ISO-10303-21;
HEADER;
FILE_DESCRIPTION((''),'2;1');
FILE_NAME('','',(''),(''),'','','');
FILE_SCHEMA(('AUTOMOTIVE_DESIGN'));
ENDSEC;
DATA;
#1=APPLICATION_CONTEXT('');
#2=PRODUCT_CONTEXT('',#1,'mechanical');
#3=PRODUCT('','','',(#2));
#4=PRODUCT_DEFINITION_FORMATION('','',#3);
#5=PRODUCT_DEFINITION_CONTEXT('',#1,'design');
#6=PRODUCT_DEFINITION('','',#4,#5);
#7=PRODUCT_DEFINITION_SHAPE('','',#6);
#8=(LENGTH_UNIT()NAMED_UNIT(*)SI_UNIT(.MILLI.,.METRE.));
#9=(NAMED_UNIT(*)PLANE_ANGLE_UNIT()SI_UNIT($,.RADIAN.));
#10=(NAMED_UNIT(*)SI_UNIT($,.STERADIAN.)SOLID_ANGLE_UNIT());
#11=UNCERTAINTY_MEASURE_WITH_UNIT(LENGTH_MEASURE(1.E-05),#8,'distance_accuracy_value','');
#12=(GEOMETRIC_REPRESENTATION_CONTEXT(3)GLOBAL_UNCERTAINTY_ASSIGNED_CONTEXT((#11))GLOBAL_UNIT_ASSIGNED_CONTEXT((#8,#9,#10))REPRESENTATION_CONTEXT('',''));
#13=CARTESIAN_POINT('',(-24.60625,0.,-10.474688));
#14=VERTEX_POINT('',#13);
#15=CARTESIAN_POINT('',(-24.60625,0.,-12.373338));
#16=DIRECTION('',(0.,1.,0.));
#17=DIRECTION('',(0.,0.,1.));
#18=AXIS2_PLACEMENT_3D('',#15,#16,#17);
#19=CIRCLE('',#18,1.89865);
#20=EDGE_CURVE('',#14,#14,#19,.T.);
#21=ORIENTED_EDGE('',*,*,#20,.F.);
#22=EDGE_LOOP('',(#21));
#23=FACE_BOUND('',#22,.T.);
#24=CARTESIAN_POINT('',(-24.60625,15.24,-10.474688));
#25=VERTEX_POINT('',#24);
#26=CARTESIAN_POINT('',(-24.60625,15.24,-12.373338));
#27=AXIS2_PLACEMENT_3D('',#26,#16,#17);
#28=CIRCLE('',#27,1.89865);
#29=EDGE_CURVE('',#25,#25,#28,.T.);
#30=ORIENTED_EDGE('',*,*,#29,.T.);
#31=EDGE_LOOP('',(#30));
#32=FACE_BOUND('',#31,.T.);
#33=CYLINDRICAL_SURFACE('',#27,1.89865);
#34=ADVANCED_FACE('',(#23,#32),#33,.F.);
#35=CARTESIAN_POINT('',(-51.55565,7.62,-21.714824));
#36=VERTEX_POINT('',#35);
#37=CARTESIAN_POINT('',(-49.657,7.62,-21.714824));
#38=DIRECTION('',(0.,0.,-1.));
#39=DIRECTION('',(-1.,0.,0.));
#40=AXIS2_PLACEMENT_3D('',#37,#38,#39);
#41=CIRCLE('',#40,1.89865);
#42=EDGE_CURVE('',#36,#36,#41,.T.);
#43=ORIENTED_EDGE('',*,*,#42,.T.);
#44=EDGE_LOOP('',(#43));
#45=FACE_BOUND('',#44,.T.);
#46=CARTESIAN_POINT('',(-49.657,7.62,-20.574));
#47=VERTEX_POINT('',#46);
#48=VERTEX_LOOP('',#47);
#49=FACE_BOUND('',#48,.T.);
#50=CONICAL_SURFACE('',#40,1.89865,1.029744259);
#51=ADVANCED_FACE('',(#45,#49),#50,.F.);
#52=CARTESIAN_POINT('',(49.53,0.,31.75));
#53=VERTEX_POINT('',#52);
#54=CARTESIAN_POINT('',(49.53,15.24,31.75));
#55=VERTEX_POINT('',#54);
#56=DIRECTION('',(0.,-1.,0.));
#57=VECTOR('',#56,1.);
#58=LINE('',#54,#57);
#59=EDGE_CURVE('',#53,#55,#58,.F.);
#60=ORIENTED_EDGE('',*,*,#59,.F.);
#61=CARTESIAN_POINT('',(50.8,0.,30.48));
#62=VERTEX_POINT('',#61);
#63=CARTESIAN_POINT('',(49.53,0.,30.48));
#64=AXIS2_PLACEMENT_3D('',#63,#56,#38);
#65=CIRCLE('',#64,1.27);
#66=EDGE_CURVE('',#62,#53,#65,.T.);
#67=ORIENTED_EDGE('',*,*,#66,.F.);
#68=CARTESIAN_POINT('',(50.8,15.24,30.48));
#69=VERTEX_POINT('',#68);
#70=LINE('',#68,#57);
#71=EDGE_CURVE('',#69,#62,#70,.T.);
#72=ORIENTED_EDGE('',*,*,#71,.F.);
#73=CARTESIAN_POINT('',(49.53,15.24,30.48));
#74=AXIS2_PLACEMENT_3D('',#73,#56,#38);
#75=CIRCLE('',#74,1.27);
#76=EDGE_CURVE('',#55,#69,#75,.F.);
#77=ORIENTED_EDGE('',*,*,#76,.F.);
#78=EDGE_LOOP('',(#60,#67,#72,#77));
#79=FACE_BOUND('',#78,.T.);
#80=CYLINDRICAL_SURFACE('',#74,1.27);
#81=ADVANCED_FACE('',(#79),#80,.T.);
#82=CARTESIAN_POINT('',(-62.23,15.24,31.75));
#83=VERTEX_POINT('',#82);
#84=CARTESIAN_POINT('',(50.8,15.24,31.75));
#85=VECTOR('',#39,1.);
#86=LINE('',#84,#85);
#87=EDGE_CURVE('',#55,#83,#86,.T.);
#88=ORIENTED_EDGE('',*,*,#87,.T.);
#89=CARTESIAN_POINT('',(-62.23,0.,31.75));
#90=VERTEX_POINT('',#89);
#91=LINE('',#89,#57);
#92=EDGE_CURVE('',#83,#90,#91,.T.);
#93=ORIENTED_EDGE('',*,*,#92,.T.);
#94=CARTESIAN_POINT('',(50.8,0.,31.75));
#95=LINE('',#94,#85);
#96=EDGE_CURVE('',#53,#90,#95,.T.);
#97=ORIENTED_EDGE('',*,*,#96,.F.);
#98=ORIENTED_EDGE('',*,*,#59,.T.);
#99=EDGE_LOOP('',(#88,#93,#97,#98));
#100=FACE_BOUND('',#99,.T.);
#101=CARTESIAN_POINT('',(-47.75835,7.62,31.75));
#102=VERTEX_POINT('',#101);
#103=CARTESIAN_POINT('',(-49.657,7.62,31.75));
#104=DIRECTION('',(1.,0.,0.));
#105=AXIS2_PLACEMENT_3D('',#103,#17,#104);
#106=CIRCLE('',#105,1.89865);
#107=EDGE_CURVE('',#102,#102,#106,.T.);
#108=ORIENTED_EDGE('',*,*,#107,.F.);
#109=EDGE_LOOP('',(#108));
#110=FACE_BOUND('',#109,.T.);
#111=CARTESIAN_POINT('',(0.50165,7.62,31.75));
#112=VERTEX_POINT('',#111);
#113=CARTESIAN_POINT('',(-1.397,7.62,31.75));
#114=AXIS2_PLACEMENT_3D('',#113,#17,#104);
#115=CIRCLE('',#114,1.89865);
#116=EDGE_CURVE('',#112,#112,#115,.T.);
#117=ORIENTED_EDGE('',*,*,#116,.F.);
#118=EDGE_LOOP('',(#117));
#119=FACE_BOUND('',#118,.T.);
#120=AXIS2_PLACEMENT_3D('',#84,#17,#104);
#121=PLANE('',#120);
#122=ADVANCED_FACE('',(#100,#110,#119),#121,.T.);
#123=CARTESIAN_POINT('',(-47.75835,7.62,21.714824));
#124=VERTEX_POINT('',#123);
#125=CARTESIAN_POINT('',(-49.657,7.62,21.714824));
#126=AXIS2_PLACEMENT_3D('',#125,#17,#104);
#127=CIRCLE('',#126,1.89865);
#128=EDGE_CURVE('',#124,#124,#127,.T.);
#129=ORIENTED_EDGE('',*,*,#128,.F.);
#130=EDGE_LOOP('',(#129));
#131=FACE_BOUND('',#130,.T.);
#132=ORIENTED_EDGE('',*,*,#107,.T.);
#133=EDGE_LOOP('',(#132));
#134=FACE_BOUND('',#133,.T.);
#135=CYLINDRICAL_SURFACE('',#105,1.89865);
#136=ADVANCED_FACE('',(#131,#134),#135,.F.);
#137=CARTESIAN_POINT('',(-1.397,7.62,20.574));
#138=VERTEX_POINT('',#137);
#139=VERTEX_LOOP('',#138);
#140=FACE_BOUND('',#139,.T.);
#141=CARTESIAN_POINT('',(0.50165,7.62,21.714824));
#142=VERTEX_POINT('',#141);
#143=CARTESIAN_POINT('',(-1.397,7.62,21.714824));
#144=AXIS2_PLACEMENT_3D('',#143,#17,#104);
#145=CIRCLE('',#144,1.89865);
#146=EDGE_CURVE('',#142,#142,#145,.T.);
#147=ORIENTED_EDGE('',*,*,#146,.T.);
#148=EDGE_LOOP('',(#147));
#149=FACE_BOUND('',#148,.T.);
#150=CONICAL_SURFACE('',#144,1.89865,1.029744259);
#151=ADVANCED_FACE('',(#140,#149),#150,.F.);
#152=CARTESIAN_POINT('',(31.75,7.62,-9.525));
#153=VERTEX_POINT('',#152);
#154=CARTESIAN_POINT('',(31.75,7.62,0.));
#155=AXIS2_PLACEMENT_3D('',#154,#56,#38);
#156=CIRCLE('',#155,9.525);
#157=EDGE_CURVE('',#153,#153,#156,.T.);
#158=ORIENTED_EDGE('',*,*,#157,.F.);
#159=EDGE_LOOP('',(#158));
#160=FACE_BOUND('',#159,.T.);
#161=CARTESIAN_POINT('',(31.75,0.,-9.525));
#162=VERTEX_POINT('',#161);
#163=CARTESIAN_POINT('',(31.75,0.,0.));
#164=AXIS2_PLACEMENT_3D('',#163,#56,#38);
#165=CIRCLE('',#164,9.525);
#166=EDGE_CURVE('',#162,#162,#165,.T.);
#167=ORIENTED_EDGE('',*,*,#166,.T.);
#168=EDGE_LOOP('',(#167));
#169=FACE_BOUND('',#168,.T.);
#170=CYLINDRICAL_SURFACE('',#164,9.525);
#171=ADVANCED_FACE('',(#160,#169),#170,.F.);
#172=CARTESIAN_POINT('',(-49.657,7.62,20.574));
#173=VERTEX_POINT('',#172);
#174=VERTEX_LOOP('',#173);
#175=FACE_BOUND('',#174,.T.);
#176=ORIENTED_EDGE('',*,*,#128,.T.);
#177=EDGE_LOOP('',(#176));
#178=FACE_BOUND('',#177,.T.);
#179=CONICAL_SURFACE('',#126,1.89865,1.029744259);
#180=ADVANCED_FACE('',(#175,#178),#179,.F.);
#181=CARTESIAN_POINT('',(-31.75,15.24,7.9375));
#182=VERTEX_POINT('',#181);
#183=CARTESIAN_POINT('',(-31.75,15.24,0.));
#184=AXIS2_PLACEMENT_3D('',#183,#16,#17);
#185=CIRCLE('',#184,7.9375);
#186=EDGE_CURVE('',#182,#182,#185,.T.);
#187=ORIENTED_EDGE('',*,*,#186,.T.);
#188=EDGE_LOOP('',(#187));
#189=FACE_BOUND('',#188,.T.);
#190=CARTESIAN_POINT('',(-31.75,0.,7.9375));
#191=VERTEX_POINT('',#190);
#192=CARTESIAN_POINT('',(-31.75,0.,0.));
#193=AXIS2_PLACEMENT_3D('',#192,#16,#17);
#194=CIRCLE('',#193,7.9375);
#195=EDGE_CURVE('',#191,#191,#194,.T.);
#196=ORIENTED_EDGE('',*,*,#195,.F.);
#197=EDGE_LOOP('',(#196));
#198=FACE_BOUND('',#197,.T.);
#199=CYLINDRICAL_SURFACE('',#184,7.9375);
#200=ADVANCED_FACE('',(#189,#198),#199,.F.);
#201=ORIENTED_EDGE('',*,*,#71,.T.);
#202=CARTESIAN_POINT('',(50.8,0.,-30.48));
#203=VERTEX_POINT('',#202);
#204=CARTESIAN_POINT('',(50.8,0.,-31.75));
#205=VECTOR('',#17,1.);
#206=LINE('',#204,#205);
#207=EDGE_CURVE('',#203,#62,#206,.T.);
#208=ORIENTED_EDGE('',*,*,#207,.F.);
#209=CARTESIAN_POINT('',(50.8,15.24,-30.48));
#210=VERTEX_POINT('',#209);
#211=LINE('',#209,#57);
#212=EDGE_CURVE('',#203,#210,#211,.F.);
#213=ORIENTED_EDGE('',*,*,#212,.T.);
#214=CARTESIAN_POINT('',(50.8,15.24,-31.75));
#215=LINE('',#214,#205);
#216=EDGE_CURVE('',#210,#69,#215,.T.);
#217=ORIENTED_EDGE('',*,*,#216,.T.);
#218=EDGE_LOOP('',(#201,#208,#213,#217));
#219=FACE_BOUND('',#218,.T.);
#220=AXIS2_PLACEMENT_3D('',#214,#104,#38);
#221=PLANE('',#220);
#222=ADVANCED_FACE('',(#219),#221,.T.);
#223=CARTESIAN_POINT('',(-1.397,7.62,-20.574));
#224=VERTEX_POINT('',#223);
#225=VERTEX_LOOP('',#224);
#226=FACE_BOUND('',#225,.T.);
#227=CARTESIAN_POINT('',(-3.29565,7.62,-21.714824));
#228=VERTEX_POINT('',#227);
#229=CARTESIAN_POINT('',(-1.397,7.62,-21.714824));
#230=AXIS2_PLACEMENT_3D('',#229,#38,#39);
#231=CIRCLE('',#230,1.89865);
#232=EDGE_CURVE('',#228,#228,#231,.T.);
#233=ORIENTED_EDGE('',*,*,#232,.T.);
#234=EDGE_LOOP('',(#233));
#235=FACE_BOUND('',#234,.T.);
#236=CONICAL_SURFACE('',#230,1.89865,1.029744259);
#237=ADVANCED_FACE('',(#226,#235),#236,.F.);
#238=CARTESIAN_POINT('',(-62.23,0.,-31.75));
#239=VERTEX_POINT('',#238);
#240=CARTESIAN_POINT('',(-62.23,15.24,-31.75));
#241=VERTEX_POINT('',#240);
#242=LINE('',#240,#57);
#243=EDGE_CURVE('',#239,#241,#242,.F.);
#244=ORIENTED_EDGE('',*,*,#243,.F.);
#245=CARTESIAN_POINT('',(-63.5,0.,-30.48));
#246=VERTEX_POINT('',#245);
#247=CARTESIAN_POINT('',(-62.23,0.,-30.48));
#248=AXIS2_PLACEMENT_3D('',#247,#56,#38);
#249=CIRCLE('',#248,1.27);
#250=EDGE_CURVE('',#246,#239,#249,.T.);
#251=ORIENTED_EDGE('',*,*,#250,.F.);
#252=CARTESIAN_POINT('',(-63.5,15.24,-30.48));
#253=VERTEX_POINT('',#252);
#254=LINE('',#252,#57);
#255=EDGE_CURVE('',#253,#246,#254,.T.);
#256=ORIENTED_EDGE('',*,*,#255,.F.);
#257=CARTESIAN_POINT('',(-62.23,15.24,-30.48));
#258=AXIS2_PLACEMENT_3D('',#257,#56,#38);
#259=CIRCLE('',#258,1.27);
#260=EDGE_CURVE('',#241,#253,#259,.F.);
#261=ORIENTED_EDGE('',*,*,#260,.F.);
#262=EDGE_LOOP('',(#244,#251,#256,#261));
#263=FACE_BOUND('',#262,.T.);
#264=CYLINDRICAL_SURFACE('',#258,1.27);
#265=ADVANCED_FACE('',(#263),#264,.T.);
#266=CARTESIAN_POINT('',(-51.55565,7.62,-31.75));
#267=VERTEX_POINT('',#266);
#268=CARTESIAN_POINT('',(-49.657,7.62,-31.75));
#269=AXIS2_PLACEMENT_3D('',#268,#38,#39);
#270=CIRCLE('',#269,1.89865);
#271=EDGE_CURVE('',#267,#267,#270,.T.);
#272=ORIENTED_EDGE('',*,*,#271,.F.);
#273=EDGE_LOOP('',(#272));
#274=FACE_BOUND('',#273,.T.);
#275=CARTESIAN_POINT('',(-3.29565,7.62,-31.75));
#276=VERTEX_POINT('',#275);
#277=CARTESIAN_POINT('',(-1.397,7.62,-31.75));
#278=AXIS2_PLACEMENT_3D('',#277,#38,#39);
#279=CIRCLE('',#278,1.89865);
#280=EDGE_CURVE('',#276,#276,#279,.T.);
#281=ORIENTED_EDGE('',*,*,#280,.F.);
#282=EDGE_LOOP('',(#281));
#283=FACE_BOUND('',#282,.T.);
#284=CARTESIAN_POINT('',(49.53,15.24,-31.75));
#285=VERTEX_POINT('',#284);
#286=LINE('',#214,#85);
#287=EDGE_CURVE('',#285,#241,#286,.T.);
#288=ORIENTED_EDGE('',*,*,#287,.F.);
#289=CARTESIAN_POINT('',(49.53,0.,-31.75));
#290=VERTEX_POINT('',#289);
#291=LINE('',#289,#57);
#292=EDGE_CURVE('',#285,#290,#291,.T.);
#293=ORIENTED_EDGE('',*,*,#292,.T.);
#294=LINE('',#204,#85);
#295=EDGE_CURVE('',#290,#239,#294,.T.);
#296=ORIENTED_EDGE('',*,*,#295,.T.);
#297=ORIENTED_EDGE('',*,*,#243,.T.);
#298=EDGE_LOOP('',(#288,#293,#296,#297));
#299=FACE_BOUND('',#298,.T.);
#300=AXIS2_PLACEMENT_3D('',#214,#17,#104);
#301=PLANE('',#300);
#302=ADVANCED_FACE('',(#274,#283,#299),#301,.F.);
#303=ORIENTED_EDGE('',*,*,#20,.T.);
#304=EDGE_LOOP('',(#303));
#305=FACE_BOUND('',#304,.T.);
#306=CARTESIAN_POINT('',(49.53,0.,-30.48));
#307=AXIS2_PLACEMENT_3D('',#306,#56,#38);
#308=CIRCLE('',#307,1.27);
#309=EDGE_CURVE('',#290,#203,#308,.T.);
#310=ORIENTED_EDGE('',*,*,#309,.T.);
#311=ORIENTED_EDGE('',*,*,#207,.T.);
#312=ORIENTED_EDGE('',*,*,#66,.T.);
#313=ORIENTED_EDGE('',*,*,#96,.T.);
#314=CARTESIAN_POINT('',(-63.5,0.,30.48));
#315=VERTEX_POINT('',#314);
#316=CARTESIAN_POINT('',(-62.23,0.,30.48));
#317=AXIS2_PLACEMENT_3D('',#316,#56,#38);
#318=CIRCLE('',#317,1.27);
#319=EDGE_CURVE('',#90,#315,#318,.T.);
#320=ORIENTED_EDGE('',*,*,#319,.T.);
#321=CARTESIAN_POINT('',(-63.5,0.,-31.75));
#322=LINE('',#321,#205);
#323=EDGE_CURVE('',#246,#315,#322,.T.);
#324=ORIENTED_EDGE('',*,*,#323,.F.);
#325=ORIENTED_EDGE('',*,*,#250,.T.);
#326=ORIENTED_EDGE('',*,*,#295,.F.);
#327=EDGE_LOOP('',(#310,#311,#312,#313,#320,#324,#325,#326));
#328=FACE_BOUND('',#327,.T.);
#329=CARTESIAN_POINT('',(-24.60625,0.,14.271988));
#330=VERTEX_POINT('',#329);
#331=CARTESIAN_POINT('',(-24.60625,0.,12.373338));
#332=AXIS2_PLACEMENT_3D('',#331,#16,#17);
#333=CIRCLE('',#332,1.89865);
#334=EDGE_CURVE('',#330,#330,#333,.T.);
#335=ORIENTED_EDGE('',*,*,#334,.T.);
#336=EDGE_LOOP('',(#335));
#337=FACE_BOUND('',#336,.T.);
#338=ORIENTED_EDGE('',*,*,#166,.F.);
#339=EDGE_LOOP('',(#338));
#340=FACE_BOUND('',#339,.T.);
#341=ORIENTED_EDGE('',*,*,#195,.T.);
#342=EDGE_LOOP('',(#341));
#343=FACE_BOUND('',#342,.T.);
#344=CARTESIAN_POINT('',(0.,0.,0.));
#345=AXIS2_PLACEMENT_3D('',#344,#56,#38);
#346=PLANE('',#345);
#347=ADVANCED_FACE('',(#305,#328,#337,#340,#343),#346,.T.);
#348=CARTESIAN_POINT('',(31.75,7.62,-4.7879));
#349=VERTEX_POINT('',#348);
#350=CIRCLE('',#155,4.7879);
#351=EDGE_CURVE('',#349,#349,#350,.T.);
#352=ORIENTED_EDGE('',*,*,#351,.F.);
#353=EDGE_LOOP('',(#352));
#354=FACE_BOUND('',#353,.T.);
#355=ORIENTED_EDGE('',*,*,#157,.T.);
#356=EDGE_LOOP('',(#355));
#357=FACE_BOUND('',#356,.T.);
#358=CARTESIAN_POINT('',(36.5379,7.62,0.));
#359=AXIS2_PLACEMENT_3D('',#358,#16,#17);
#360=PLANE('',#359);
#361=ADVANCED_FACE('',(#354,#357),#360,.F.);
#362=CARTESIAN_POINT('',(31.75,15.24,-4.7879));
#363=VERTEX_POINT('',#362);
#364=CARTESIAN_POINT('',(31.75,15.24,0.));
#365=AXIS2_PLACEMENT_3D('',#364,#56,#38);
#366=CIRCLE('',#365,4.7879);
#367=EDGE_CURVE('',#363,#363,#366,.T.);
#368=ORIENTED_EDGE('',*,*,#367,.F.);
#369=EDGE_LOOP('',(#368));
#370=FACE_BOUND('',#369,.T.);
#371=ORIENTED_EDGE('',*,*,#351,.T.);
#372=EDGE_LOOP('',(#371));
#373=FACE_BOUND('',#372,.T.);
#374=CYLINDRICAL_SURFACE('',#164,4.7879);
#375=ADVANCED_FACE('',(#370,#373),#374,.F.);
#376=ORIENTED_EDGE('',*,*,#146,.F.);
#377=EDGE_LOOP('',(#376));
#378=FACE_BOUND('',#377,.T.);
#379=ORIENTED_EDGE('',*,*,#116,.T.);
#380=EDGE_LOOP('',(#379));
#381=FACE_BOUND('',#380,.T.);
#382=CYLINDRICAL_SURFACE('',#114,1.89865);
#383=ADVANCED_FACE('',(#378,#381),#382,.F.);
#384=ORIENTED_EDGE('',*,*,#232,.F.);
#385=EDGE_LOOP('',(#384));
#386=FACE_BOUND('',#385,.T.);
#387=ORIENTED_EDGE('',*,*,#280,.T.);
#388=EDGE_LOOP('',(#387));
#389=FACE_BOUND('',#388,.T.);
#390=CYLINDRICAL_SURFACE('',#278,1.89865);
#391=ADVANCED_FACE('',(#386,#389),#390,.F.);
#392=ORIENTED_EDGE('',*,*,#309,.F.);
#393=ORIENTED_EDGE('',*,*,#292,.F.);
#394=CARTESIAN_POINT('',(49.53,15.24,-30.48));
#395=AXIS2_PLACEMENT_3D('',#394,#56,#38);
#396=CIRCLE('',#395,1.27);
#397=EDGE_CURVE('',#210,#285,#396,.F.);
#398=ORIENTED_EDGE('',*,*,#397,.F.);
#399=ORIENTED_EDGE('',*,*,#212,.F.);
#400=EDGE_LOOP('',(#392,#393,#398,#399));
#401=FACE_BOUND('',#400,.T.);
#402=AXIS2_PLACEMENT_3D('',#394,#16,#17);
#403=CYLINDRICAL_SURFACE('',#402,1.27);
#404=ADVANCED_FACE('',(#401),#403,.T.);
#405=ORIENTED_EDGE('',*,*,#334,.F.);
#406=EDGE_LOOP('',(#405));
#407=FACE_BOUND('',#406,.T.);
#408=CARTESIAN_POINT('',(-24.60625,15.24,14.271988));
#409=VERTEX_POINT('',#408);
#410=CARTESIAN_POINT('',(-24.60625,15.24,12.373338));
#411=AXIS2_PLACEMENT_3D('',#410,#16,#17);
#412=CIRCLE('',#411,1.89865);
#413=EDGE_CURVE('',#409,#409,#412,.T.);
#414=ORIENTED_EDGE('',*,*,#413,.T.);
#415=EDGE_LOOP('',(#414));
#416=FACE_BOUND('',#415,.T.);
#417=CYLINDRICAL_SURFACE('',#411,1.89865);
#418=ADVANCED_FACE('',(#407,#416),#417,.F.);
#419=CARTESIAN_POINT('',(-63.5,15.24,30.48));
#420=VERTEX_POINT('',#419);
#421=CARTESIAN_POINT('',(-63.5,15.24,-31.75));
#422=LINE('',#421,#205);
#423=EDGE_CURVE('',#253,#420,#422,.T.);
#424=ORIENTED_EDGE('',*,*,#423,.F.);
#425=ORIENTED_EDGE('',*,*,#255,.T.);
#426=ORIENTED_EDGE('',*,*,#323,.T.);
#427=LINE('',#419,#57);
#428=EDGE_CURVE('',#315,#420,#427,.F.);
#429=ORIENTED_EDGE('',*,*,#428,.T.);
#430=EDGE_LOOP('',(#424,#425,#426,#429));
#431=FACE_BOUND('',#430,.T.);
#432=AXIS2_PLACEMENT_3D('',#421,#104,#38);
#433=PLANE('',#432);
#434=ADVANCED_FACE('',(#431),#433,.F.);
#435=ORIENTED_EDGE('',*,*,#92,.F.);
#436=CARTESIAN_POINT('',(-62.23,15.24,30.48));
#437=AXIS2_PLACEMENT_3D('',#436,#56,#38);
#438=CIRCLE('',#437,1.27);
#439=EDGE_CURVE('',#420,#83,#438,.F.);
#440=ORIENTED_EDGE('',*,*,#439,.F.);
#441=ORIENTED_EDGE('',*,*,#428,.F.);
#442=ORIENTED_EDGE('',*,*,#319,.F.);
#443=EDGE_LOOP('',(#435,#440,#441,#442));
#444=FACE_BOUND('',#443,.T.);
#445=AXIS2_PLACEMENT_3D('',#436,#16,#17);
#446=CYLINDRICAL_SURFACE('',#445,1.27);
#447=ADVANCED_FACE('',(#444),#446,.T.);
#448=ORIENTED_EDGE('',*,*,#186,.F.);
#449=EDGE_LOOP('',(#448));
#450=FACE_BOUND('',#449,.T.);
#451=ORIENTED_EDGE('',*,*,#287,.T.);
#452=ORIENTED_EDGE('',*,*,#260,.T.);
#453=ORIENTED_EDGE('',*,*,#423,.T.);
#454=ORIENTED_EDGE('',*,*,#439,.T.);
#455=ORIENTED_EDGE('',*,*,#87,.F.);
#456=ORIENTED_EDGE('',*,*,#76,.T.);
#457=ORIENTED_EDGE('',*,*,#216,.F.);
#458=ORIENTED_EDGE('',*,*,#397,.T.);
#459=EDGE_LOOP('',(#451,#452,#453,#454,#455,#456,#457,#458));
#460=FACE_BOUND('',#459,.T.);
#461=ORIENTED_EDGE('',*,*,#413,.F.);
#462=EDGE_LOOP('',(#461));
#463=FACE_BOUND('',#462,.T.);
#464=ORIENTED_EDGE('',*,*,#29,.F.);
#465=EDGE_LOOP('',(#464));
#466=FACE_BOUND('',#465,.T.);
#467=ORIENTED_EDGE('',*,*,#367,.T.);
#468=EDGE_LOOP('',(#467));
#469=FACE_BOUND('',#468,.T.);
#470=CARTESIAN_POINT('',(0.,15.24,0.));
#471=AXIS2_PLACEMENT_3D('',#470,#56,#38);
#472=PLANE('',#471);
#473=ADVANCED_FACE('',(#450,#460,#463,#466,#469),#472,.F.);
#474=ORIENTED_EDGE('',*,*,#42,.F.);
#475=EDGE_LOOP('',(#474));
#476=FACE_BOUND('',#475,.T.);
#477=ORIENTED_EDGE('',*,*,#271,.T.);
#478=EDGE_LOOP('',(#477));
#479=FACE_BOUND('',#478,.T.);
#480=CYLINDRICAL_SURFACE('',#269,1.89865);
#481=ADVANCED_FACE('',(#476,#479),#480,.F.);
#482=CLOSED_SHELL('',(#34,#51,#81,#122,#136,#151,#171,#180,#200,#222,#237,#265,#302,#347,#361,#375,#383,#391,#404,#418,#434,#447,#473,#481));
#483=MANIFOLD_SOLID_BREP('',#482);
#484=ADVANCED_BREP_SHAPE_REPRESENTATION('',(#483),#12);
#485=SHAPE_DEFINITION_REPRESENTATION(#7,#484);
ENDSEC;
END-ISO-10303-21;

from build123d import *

# Parameters (mm, degrees)
SKETCH1_W                                            = 114.3
SKETCH1_H                                            = 63.5
BOSS_EXTRUDE1_DEPTH                                  = 15.24
F_5_8_0_625_DIAMETER_HOLE1_D                         = 15.875
F_10_24_TAPPED_HOLE3_D                               = 3.7973
CBORE_FOR_3_8_BINDING_HEAD_MACHINE_SCREW_D           = 9.5758
CBORE_FOR_3_8_BINDING_HEAD_MACHINE_SCREW_CBORE_D     = 19.05
CBORE_FOR_3_8_BINDING_HEAD_MACHINE_SCREW_CBORE_DEPTH = 7.62
F_10_24_TAPPED_HOLE1_D                               = 3.7973
F_10_24_TAPPED_HOLE1_DEPTH                           = 10.035175986
F_10_24_TAPPED_HOLE1_TIP                             = 1.140824014
F_10_24_TAPPED_HOLE2_D                               = 3.7973
F_10_24_TAPPED_HOLE2_DEPTH                           = 10.035175986
F_10_24_TAPPED_HOLE2_TIP                             = 1.140824014
FILLET1_R                                            = 1.27


with BuildPart() as part:
    # Sketch1 → Boss-Extrude1 (new body)
    with BuildSketch(Plane(origin=(0, 0, 0), x_dir=(1, 0, 0), z_dir=(0, 1, 0))):
        with Locations((-6.35, 0)):
            Rectangle(SKETCH1_W, SKETCH1_H)
    extrude(amount=BOSS_EXTRUDE1_DEPTH)

    # 5/8 (0.625) Diameter Hole1 (through all)
    with Locations(Plane(origin=(0, 15.24, 0), x_dir=(1, 0, 0), z_dir=(0, 1, 0))):
        with Locations((-31.75, 0)):
            Hole(F_5_8_0_625_DIAMETER_HOLE1_D / 2)

    # #10-24 Tapped Hole3 (through all)
    with Locations(Plane(origin=(0, 15.24, 0), x_dir=(1, 0, 0), z_dir=(0, 1, 0))):
        with Locations((-24.60625, -12.373337957), (-24.60625, 12.373337957)):
            Hole(F_10_24_TAPPED_HOLE3_D / 2)

    # CBORE for 3/8 Binding Head Machine Screw1 (through all)
    with Locations(Plane(origin=(0, 0, 0), x_dir=(-1, 0, 0), z_dir=(0, -1, 0))):
        with Locations((-31.75, 0)):
            CounterBoreHole(CBORE_FOR_3_8_BINDING_HEAD_MACHINE_SCREW_D / 2, CBORE_FOR_3_8_BINDING_HEAD_MACHINE_SCREW_CBORE_D / 2, CBORE_FOR_3_8_BINDING_HEAD_MACHINE_SCREW_CBORE_DEPTH)

    # #10-24 Tapped Hole1
    with Locations(Plane(origin=(0, 0, -31.75), x_dir=(-1, 0, 0), z_dir=(0, 0, -1))):
        with Locations((49.657, 7.62), (1.397, 7.62)):
            Hole(F_10_24_TAPPED_HOLE1_D / 2, depth=F_10_24_TAPPED_HOLE1_DEPTH)
            with Locations((0, 0, -(F_10_24_TAPPED_HOLE1_DEPTH + F_10_24_TAPPED_HOLE1_TIP / 2))):  # 118° drill point
                Cone(0, F_10_24_TAPPED_HOLE1_D / 2, F_10_24_TAPPED_HOLE1_TIP, mode=Mode.SUBTRACT)

    # #10-24 Tapped Hole2
    with Locations(Plane.XY.offset(31.75)):
        with Locations((-49.657, 7.62), (-1.397, 7.62)):
            Hole(F_10_24_TAPPED_HOLE2_D / 2, depth=F_10_24_TAPPED_HOLE2_DEPTH)
            with Locations((0, 0, -(F_10_24_TAPPED_HOLE2_DEPTH + F_10_24_TAPPED_HOLE2_TIP / 2))):  # 118° drill point
                Cone(0, F_10_24_TAPPED_HOLE2_D / 2, F_10_24_TAPPED_HOLE2_TIP, mode=Mode.SUBTRACT)

    # Fillet1
    fillet1_edges = [part.edges().sort_by_distance(p)[0] for p in [
        (50.8, 7.62, -31.75),
        (-63.5, 7.62, -31.75),
        (-63.5, 7.62, 31.75),
        (50.8, 7.62, 31.75),
    ]]
    fillet(fillet1_edges, radius=FILLET1_R)


solid = part.part
